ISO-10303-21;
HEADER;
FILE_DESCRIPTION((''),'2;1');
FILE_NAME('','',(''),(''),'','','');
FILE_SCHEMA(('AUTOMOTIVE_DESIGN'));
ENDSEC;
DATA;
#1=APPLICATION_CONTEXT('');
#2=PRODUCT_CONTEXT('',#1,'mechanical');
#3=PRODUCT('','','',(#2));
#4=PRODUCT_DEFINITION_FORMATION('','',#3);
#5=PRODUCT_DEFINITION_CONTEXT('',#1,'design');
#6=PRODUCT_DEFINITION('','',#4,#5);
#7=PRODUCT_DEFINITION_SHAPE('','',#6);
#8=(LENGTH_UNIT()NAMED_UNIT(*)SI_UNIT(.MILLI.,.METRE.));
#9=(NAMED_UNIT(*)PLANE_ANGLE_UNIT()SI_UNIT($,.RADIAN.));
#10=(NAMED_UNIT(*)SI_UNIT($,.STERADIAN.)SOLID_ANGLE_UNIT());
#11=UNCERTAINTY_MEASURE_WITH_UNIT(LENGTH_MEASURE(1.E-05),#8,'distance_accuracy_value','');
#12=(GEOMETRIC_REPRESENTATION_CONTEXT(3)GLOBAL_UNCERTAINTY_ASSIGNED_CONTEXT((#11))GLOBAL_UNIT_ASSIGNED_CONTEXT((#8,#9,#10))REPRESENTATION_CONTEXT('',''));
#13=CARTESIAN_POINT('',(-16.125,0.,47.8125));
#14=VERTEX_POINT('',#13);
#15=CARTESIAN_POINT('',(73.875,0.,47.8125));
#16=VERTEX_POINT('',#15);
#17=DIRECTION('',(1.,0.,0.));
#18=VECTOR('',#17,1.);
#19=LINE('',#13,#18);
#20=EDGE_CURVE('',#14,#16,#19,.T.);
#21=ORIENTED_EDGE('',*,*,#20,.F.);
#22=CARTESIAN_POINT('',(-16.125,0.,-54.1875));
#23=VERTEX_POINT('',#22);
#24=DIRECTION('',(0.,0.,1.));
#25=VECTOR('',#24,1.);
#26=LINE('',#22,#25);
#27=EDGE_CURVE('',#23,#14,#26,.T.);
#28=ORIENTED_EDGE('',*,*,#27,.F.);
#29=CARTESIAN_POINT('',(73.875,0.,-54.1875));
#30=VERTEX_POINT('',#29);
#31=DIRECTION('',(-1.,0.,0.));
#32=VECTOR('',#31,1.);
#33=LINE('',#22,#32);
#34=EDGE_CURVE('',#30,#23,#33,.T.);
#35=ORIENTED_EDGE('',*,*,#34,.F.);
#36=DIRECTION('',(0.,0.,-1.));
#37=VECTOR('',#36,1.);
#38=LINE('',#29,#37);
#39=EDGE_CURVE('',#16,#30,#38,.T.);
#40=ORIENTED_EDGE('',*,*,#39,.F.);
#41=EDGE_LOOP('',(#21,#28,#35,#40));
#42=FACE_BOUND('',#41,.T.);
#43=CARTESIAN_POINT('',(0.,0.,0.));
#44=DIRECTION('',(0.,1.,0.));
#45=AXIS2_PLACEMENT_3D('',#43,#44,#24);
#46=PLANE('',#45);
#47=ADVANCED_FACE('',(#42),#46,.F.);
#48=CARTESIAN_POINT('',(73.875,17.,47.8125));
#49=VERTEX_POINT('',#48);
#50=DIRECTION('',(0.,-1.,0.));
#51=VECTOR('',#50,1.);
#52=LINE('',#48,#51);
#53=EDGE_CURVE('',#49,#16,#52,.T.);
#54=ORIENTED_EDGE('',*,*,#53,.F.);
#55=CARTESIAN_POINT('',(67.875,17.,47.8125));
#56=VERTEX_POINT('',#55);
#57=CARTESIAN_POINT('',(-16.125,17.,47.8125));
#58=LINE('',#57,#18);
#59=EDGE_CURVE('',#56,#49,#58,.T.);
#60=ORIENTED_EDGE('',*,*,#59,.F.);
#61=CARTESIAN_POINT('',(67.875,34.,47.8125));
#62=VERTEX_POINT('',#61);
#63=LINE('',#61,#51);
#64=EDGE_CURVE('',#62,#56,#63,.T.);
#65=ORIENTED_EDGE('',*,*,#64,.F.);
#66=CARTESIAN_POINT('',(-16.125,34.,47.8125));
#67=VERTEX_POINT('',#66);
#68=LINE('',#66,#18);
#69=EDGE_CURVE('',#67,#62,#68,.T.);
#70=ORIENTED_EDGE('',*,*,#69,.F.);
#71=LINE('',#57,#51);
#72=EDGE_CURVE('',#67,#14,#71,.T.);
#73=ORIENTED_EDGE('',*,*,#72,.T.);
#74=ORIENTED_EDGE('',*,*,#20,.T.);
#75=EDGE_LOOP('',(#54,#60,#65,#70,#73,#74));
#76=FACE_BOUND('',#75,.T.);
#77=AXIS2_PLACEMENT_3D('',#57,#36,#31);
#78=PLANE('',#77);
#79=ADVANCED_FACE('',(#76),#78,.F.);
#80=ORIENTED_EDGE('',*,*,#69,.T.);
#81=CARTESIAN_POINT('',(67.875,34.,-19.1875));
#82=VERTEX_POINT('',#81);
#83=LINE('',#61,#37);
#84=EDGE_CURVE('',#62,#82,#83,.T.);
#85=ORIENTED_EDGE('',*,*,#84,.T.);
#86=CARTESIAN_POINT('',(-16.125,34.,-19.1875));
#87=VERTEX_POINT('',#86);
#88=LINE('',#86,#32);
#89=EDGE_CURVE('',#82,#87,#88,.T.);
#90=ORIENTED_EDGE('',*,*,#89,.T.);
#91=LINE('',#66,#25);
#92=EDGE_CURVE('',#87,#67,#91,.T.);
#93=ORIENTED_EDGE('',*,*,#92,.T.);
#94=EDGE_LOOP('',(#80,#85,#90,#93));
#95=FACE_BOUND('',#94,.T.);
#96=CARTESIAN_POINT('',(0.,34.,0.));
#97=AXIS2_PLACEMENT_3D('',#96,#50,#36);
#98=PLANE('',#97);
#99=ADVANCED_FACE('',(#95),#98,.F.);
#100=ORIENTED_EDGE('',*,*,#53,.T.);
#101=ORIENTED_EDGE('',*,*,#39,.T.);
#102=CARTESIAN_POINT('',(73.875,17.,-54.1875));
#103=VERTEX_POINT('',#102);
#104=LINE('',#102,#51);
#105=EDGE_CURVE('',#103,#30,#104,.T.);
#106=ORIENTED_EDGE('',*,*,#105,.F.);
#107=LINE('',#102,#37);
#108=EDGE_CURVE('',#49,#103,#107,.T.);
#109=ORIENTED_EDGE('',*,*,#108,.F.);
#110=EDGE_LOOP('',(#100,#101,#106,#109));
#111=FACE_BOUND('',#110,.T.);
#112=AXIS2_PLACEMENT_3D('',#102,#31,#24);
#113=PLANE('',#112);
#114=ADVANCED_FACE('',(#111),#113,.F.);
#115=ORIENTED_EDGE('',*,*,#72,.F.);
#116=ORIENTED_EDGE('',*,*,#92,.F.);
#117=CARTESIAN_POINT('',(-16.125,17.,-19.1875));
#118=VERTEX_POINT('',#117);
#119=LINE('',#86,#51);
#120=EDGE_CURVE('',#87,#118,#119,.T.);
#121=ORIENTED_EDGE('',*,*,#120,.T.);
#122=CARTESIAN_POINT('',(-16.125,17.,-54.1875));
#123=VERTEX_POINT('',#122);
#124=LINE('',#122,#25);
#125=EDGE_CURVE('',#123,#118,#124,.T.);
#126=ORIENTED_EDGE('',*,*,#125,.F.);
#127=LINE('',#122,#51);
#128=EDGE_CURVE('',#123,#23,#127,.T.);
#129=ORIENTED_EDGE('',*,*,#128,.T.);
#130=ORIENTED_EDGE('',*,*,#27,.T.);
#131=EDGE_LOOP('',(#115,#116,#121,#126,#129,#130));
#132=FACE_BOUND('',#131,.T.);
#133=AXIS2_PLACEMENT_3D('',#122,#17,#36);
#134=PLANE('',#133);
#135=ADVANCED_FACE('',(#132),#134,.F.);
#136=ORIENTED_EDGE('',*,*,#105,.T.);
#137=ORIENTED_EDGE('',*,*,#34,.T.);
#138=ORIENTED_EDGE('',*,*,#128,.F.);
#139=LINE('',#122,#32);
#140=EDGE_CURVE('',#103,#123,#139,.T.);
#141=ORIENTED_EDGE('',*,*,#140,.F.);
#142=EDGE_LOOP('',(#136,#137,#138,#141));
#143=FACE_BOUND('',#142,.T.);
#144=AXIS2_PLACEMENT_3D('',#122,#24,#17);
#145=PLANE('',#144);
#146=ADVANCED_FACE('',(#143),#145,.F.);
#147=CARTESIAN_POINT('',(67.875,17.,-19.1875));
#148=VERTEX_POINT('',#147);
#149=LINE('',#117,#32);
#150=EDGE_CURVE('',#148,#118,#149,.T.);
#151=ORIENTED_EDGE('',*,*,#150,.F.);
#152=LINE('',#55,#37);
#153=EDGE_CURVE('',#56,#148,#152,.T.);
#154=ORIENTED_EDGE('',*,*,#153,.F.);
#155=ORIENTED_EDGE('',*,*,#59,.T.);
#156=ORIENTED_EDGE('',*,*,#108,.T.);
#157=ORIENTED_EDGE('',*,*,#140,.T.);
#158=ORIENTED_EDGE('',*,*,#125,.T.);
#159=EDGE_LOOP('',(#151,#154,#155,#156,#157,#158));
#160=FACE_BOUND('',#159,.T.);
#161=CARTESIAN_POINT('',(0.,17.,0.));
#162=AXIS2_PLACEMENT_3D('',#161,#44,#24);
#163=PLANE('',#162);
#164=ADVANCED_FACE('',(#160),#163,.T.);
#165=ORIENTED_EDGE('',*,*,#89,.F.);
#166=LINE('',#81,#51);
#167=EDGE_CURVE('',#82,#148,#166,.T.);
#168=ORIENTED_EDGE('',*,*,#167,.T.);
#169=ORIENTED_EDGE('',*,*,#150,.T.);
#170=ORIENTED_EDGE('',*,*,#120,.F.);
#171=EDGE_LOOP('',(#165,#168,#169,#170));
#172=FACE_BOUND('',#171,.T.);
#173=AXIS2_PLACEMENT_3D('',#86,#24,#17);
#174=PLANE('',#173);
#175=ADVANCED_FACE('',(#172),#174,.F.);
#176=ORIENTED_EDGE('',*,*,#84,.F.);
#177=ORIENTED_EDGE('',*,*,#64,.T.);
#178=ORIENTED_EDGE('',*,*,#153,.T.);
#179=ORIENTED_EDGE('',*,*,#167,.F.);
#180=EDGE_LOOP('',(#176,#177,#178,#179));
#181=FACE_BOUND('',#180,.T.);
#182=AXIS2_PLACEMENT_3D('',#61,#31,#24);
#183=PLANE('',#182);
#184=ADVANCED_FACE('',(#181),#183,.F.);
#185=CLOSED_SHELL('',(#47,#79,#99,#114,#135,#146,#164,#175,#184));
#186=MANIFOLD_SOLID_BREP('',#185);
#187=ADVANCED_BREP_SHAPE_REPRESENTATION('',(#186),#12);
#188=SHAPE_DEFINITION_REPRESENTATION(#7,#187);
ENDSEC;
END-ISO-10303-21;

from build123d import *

# Parameters (mm, degrees)
SKETCH2_W           = 90
SKETCH2_H           = 102
BOSS_EXTRUDE2_DEPTH = 17
SKETCH3_W           = 84
SKETCH3_H           = 67
BOSS_EXTRUDE3_DEPTH = 17


with BuildPart() as part:
    # Sketch2 → Boss-Extrude2 (new body)
    with BuildSketch(Plane(origin=(0, 0, 0), x_dir=(1, 0, 0), z_dir=(0, 1, 0))):
        with Locations((28.875, 3.1875)):
            Rectangle(SKETCH2_W, SKETCH2_H)
    extrude(amount=BOSS_EXTRUDE2_DEPTH)

    # Sketch3 → Boss-Extrude3 (add)
    with BuildSketch(Plane(origin=(0, 17, 0), x_dir=(1, 0, 0), z_dir=(0, 1, 0))):
        with Locations((25.875, -14.3125)):
            Rectangle(SKETCH3_W, SKETCH3_H)
    extrude(amount=BOSS_EXTRUDE3_DEPTH)


solid = part.part
